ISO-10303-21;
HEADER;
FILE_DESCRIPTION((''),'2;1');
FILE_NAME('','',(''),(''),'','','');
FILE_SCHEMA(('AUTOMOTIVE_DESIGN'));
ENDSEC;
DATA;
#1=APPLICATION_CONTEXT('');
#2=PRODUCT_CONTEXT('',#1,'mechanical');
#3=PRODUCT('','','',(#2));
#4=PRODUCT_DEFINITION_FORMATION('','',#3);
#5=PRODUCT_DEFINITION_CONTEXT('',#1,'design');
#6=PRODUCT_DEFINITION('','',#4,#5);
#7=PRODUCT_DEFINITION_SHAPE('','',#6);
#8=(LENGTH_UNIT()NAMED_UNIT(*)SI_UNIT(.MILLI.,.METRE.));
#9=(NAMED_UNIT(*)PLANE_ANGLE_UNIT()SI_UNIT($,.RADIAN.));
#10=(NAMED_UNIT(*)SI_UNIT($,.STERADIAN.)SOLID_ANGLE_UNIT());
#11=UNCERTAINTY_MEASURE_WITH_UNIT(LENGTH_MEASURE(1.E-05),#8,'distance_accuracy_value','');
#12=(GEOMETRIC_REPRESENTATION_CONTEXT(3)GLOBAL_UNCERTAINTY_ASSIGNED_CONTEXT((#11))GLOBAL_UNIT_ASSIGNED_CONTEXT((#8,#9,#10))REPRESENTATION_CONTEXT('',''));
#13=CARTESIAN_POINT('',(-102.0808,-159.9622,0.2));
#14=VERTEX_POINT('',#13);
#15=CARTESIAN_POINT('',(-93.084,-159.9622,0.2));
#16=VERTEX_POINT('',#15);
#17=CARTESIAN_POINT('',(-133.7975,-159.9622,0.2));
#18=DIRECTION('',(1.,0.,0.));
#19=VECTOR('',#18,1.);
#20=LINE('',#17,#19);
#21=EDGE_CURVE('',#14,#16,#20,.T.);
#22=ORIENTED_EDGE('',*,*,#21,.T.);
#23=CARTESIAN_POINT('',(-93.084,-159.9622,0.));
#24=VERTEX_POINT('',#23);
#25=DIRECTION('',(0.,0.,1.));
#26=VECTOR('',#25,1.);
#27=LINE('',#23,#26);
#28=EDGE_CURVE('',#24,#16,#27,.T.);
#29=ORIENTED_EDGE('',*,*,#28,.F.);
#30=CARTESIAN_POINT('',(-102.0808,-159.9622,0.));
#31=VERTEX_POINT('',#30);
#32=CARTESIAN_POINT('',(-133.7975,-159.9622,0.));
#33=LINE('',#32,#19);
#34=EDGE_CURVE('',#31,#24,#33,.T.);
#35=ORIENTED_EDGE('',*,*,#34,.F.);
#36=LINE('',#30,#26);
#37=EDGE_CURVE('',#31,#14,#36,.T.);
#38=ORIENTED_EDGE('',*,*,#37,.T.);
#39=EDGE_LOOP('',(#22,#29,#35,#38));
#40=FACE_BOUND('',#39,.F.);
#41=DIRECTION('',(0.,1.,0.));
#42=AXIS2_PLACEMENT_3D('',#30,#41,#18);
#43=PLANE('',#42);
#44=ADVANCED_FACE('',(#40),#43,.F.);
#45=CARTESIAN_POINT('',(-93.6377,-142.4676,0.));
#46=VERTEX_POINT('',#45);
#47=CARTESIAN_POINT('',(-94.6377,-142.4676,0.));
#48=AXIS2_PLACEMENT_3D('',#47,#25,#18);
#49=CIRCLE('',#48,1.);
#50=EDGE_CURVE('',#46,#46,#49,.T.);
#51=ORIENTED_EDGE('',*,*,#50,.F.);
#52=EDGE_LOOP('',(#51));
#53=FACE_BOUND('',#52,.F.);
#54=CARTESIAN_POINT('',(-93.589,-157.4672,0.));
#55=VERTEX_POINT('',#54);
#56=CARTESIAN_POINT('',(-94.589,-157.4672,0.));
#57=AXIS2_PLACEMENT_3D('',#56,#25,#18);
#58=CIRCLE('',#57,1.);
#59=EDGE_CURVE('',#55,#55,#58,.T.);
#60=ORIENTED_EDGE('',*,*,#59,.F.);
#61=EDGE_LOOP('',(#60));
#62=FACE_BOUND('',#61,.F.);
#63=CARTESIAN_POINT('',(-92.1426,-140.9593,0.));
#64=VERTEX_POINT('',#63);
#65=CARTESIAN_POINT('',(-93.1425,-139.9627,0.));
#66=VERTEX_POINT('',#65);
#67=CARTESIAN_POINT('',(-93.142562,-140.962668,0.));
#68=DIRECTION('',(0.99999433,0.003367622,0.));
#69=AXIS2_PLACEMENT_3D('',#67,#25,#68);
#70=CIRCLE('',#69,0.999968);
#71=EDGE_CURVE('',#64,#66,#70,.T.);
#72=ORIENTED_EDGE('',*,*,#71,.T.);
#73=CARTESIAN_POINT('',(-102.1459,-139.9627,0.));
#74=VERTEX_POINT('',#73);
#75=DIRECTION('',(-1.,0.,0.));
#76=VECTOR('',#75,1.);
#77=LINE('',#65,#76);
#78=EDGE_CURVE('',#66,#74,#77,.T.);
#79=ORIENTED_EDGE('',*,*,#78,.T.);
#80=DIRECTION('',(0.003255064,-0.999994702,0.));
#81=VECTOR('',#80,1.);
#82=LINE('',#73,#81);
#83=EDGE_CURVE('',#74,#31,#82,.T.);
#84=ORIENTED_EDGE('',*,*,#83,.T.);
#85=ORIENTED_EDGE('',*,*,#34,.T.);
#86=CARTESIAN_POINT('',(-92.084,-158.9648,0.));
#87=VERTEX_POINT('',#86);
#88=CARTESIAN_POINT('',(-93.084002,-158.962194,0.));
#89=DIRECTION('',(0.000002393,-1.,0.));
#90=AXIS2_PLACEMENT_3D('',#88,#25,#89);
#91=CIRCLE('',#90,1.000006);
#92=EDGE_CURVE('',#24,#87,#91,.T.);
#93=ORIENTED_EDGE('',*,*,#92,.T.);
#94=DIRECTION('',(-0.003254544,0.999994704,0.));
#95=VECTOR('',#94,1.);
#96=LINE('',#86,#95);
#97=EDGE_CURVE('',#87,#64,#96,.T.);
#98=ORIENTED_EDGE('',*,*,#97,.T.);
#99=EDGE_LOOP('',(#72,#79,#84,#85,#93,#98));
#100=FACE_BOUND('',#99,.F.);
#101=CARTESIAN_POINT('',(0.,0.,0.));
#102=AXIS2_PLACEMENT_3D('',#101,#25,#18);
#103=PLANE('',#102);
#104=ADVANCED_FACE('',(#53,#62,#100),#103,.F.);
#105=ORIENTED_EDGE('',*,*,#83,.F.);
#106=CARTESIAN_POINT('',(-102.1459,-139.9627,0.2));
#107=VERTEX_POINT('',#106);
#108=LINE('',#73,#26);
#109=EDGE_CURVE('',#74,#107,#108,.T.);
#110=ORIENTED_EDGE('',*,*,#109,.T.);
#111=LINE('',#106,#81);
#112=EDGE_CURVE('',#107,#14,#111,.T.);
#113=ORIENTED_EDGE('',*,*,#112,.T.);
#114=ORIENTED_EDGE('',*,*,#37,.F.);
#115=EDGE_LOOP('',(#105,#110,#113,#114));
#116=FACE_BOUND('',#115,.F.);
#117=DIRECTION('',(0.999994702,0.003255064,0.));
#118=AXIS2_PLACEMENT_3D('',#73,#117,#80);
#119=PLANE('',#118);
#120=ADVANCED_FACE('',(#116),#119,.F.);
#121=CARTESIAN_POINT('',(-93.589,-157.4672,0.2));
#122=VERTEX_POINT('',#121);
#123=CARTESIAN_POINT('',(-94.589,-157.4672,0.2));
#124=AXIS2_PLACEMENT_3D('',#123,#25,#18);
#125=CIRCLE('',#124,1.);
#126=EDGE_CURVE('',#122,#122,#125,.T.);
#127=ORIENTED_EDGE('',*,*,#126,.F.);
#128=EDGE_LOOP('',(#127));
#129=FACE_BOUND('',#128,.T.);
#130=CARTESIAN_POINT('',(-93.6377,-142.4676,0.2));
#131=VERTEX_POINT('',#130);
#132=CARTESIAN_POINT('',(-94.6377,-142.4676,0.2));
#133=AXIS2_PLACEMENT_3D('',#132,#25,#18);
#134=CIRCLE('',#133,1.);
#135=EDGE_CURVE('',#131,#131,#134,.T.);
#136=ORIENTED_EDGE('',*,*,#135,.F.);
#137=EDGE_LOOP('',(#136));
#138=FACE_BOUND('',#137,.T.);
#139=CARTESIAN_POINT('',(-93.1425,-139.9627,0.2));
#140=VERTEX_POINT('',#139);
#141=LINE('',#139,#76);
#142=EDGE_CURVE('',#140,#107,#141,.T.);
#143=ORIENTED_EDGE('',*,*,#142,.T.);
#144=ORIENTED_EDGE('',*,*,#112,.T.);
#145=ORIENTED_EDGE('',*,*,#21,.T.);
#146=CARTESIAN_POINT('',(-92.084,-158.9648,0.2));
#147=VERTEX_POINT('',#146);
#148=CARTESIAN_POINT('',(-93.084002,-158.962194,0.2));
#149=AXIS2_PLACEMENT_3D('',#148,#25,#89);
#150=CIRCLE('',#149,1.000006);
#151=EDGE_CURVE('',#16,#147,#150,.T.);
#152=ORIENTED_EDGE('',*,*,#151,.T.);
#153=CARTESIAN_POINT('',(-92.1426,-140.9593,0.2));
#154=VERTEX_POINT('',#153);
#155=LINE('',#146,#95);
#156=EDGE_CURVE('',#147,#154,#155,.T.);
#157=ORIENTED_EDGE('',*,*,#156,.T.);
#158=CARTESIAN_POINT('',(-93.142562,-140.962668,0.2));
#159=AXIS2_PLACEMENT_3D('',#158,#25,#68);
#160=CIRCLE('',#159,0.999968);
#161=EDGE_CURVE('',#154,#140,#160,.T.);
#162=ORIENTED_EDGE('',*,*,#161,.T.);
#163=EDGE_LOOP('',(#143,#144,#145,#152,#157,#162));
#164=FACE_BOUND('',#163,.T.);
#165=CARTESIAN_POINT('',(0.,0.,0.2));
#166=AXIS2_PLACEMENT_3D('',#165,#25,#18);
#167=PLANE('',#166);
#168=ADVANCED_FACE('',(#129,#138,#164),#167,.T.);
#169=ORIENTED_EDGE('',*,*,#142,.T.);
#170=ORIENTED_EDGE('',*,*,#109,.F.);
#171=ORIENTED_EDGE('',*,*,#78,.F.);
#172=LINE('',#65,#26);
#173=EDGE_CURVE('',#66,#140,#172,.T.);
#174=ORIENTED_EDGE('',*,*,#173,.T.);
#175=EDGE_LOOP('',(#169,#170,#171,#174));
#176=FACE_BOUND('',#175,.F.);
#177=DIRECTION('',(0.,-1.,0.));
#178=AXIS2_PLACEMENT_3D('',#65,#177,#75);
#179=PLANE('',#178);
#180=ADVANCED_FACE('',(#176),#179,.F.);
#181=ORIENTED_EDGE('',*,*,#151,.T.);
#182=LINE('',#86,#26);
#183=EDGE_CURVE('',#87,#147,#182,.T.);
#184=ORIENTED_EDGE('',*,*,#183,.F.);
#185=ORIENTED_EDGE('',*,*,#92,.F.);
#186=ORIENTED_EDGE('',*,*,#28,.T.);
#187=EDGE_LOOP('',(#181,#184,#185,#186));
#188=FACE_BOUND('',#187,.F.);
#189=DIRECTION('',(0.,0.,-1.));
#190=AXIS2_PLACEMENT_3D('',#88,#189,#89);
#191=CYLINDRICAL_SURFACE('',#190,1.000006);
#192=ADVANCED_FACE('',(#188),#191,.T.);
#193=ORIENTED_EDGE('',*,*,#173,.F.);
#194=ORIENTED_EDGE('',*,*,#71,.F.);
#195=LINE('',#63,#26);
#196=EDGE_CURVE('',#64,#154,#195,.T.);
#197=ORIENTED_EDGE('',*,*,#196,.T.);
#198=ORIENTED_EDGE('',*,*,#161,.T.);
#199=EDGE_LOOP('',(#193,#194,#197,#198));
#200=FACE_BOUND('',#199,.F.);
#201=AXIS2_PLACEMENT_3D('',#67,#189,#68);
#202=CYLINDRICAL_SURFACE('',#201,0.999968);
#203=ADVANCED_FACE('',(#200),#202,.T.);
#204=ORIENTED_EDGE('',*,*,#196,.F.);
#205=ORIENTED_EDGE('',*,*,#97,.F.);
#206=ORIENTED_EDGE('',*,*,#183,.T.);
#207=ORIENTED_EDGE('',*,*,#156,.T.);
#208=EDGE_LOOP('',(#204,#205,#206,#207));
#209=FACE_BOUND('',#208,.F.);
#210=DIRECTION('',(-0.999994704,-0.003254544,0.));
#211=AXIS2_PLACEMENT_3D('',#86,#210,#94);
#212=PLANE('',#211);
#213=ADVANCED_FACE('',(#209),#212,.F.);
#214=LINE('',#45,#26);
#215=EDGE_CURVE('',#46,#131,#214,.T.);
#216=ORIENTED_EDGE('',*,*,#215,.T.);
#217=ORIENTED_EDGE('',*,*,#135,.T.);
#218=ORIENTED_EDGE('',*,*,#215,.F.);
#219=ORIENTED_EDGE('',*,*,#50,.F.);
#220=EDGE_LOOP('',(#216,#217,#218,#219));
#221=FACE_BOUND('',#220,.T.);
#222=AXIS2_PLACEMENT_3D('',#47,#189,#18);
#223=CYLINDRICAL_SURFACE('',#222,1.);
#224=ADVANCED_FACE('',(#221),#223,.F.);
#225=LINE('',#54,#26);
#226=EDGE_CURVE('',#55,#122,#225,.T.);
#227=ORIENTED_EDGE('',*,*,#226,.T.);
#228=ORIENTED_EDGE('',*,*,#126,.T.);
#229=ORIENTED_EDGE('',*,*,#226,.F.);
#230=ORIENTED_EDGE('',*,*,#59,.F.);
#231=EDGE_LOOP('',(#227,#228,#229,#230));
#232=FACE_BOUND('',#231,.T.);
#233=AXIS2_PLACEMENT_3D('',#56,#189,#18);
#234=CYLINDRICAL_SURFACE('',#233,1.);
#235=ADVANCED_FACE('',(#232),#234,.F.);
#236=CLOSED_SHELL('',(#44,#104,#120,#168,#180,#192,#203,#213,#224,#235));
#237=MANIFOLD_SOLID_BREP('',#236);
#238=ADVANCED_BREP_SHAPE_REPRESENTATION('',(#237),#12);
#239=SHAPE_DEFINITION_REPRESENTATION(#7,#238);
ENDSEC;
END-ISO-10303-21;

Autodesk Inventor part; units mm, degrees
ref_plane "YZ Plane" through (0, 0, 0) normal (1, 0, 0) x (0, 1, 0)
ref_plane "XZ Plane" through (0, 0, 0) normal (0, 1, 0) x (-1, 0, 0)
ref_plane "XY Plane" through (0, 0, 0) normal (0, 0, 1) x (1, 0, 0)
sketch "Sketch1" plane through (0, 0, 0) normal (0, 0, 1) x (1, 0, 0)
  line L0 (-92.084, -158.9648) -> (-92.1426, -140.9593)
  line L1 (-93.1425, -139.9627) -> (-119.7195, -139.9627)
  arc A0 (-92.1426, -140.9593) -> (-93.1425, -139.9628) centre (-93.1424, -140.9626) ccw
  arc A1 (-93.084, -159.9622) -> (-92.084, -158.9648) centre (-93.084, -158.9622) ccw
  circle A2 centre (-94.589, -157.4672) radius 1
  circle A3 centre (-94.6377, -142.4676) radius 1
  line L2 (-133.7975, -159.9622) -> (-93.084, -159.9622)
  line L3 (-102.1459, -139.9627) -> (-102.0808, -159.9622)
  line L4 (-102.0808, -159.9622) -> (-93.084, -159.9622)
  line L5 (-102.1459, -139.9627) -> (-93.1425, -139.9628)
  arc A4 (-92.1426, -140.9593) -> (-93.1425, -139.9628) centre (-93.1424, -140.9626) ccw
  arc A5 (-93.084, -159.9622) -> (-92.084, -158.9648) centre (-93.084, -158.9622) ccw
  line L6 (-92.084, -158.9648) -> (-92.1426, -140.9593)
  point P0 (0, 0)
extrude "Extrusion1" add sketch "Sketch1" along normal blind 0.2
properties part number "Top Stiffener"
